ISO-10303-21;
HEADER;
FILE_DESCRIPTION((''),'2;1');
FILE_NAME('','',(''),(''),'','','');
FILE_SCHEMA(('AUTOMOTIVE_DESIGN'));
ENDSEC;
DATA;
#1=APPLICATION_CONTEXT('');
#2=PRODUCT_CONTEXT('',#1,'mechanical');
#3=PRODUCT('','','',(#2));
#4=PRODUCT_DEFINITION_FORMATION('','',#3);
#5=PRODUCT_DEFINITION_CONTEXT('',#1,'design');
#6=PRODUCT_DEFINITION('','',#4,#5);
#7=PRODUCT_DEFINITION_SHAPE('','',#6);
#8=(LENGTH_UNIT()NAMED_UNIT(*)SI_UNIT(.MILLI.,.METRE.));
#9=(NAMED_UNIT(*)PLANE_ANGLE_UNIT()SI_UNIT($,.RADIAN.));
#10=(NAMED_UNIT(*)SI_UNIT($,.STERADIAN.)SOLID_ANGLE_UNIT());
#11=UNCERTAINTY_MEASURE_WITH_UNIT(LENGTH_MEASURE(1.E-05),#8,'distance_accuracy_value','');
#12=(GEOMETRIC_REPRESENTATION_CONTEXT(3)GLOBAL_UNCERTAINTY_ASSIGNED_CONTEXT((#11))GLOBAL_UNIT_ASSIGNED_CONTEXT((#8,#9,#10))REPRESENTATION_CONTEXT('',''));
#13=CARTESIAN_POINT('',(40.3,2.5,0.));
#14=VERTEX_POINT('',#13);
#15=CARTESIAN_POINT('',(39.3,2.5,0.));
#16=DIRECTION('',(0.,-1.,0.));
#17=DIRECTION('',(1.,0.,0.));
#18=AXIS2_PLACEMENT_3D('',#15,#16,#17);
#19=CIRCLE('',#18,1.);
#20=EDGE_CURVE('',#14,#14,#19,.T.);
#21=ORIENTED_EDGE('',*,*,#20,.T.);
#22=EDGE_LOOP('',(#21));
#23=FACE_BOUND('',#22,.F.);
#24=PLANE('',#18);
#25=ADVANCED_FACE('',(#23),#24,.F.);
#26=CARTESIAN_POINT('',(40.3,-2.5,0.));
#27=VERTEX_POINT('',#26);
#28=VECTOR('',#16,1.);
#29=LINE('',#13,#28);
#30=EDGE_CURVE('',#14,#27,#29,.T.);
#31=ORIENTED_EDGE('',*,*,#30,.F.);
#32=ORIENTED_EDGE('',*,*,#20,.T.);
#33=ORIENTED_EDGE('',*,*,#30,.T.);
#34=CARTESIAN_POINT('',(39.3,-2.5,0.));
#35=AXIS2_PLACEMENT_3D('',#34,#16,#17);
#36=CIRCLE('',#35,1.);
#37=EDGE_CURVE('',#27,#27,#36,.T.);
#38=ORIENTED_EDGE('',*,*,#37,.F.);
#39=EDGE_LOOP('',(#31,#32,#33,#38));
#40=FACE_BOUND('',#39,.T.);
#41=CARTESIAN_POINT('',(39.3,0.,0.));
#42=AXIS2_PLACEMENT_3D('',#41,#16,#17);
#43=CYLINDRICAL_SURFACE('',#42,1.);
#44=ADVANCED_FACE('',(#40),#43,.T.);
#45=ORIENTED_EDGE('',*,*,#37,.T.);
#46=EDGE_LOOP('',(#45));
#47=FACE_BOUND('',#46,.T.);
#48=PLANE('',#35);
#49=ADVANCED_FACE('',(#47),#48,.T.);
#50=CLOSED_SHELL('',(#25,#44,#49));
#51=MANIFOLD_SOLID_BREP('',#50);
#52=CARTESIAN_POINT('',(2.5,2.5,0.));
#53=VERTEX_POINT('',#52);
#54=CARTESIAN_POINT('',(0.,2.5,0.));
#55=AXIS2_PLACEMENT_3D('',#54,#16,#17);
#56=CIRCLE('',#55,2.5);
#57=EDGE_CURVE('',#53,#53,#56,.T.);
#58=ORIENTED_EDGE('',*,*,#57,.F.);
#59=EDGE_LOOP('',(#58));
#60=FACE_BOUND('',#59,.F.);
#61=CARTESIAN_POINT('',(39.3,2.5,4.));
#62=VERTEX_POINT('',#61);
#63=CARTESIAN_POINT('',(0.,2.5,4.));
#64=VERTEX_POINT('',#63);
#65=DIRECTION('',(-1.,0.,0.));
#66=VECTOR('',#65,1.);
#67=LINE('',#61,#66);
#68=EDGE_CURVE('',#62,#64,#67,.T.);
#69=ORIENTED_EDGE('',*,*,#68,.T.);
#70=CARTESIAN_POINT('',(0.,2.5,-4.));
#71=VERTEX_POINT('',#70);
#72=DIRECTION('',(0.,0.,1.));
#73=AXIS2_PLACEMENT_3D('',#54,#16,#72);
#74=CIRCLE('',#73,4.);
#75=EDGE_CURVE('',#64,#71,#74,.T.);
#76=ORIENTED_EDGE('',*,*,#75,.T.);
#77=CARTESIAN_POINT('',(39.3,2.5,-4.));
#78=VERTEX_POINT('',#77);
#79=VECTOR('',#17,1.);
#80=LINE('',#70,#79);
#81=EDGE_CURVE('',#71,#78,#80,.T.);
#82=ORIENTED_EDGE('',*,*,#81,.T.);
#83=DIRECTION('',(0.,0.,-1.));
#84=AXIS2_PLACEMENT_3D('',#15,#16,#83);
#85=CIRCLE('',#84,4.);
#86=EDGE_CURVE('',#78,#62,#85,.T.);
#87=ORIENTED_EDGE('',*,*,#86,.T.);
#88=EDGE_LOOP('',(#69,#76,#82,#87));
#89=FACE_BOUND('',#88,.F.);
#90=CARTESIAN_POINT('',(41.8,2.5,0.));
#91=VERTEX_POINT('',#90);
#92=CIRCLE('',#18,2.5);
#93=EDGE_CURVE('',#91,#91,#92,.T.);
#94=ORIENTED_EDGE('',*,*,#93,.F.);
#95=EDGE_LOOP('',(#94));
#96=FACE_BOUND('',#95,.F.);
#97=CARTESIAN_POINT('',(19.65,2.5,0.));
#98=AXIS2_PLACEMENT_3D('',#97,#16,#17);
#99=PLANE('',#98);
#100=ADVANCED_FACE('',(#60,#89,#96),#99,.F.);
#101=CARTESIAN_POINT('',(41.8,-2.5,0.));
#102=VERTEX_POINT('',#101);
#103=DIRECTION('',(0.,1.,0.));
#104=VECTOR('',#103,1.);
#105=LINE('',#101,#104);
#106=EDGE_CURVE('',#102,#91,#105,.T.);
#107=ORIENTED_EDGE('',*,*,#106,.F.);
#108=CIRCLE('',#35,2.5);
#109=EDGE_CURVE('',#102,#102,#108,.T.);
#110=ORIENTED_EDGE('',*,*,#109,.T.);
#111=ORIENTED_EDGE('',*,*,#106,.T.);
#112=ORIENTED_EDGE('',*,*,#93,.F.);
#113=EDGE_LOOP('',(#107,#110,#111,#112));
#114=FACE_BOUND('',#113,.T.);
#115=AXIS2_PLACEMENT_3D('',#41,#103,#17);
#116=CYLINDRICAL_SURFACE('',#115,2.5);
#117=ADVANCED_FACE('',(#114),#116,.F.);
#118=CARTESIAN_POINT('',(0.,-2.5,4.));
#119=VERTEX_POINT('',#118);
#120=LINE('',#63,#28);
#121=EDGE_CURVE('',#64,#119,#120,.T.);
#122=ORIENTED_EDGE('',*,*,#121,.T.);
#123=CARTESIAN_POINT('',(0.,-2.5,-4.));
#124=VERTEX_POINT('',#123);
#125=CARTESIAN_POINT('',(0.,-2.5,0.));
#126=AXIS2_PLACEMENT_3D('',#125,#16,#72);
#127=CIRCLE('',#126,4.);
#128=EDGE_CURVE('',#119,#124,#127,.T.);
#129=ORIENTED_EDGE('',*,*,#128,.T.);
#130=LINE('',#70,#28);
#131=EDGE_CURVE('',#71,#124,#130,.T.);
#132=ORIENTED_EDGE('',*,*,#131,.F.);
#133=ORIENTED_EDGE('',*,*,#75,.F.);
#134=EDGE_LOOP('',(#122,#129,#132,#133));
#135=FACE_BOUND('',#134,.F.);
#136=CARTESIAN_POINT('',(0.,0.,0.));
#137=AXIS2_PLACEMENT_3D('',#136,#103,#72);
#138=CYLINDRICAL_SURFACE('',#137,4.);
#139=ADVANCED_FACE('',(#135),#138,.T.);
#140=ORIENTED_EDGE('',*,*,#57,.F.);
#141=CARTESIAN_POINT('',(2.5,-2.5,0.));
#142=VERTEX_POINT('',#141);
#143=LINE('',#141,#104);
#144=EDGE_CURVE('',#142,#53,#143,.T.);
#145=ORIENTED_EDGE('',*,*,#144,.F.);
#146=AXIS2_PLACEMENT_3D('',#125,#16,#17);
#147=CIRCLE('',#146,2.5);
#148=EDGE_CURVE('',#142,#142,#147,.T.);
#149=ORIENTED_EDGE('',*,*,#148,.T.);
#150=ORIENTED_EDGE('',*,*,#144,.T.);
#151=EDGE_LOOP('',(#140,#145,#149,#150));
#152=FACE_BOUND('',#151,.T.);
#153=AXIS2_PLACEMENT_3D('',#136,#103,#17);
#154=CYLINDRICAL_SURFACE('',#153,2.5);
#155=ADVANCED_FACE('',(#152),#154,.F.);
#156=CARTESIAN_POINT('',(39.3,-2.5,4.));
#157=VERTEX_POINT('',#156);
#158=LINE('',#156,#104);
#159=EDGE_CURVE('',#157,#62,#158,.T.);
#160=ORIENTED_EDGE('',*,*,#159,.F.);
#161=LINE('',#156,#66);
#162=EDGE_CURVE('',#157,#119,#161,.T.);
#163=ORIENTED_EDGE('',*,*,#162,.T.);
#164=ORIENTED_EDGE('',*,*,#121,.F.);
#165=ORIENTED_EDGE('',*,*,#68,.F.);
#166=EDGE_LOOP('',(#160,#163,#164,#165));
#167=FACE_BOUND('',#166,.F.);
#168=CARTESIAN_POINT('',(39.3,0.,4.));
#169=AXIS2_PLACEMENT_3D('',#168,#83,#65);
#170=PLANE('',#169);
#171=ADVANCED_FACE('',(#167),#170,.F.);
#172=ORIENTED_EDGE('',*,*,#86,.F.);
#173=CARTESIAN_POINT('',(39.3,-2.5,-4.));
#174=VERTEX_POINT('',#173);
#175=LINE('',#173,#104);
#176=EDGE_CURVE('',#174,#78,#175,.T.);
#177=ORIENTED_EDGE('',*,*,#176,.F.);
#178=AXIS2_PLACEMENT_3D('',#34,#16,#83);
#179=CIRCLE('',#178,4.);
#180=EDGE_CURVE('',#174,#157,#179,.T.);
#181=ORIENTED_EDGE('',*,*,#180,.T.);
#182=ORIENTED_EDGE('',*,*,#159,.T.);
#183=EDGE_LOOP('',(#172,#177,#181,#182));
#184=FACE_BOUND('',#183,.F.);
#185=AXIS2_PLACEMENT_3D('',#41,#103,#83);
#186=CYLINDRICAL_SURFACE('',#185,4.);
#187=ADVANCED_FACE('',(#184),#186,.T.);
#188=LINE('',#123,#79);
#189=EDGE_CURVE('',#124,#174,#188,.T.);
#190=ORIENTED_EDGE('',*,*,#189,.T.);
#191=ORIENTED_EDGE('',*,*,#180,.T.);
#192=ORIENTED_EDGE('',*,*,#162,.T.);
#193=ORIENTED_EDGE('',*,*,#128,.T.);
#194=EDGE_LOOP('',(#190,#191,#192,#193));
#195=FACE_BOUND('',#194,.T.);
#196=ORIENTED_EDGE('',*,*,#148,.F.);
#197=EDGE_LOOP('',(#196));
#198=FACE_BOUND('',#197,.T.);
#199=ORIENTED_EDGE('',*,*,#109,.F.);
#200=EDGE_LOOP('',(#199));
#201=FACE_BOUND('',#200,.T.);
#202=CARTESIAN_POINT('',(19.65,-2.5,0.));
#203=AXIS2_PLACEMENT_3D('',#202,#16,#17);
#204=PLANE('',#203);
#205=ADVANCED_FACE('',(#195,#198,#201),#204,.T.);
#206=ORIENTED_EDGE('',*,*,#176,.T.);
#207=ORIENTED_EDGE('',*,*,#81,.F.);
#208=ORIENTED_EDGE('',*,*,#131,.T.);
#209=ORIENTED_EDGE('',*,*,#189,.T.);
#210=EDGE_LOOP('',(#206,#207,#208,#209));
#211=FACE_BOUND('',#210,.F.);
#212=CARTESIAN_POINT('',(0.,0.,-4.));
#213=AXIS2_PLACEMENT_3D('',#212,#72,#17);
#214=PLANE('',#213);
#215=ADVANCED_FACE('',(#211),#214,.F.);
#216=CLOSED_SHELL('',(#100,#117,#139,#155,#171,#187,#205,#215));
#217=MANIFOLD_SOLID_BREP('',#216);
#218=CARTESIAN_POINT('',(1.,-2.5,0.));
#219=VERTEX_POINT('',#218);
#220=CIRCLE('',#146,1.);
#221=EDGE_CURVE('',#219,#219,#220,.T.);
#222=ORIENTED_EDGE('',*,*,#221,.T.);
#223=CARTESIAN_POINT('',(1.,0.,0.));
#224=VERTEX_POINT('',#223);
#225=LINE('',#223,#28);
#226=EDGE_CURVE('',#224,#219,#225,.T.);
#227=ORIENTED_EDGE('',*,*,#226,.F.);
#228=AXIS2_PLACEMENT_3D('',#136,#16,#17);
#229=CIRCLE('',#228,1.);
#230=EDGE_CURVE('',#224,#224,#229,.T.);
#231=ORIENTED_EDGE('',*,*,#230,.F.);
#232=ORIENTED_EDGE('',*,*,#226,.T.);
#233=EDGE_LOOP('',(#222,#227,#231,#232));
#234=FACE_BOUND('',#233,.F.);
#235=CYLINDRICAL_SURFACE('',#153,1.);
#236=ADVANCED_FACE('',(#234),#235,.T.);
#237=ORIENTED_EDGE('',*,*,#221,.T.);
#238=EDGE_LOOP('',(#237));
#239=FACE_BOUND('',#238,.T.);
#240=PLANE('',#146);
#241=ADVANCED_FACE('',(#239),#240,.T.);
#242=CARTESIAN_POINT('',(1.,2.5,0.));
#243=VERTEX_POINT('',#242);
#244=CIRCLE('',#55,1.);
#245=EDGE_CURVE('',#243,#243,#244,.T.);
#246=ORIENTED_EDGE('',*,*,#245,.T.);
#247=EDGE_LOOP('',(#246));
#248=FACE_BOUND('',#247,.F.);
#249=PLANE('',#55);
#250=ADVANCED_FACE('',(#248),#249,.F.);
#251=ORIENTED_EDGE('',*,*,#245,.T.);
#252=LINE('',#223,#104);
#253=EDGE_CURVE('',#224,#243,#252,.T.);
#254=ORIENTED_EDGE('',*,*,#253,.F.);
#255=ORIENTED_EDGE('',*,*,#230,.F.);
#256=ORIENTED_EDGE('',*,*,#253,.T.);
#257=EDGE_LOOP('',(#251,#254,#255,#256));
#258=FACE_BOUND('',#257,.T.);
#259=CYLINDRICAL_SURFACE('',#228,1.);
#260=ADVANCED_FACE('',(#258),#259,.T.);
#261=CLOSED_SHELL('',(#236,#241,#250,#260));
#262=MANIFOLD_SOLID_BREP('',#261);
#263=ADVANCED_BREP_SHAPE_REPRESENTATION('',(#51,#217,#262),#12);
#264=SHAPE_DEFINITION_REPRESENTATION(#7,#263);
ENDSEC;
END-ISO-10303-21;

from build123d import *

# Parameters (mm, degrees)
F0_R     = 2.5
F0_R_2   = 1
F1_DEPTH = 2.5


with BuildPart() as f1:
    # F0 (on Front) → F1 (new body, symmetric)
    with BuildSketch(Plane.XZ):
        with BuildLine():
            Line((39.3, 4), (0, 4))
            ThreePointArc((0, 4), (-4, 0), (0, -4))
            Line((0, -4), (39.3, -4))
            ThreePointArc((39.3, -4), (43.3, 0), (39.3, 4))
        make_face()
        Circle(F0_R, mode=Mode.SUBTRACT)
        with Locations((39.3, 0)):
            Circle(F0_R, mode=Mode.SUBTRACT)
        Circle(F0_R_2)
        with Locations((39.3, 0)):
            Circle(F0_R_2)
    extrude(amount=F1_DEPTH, both=True)


solid = f1.part
